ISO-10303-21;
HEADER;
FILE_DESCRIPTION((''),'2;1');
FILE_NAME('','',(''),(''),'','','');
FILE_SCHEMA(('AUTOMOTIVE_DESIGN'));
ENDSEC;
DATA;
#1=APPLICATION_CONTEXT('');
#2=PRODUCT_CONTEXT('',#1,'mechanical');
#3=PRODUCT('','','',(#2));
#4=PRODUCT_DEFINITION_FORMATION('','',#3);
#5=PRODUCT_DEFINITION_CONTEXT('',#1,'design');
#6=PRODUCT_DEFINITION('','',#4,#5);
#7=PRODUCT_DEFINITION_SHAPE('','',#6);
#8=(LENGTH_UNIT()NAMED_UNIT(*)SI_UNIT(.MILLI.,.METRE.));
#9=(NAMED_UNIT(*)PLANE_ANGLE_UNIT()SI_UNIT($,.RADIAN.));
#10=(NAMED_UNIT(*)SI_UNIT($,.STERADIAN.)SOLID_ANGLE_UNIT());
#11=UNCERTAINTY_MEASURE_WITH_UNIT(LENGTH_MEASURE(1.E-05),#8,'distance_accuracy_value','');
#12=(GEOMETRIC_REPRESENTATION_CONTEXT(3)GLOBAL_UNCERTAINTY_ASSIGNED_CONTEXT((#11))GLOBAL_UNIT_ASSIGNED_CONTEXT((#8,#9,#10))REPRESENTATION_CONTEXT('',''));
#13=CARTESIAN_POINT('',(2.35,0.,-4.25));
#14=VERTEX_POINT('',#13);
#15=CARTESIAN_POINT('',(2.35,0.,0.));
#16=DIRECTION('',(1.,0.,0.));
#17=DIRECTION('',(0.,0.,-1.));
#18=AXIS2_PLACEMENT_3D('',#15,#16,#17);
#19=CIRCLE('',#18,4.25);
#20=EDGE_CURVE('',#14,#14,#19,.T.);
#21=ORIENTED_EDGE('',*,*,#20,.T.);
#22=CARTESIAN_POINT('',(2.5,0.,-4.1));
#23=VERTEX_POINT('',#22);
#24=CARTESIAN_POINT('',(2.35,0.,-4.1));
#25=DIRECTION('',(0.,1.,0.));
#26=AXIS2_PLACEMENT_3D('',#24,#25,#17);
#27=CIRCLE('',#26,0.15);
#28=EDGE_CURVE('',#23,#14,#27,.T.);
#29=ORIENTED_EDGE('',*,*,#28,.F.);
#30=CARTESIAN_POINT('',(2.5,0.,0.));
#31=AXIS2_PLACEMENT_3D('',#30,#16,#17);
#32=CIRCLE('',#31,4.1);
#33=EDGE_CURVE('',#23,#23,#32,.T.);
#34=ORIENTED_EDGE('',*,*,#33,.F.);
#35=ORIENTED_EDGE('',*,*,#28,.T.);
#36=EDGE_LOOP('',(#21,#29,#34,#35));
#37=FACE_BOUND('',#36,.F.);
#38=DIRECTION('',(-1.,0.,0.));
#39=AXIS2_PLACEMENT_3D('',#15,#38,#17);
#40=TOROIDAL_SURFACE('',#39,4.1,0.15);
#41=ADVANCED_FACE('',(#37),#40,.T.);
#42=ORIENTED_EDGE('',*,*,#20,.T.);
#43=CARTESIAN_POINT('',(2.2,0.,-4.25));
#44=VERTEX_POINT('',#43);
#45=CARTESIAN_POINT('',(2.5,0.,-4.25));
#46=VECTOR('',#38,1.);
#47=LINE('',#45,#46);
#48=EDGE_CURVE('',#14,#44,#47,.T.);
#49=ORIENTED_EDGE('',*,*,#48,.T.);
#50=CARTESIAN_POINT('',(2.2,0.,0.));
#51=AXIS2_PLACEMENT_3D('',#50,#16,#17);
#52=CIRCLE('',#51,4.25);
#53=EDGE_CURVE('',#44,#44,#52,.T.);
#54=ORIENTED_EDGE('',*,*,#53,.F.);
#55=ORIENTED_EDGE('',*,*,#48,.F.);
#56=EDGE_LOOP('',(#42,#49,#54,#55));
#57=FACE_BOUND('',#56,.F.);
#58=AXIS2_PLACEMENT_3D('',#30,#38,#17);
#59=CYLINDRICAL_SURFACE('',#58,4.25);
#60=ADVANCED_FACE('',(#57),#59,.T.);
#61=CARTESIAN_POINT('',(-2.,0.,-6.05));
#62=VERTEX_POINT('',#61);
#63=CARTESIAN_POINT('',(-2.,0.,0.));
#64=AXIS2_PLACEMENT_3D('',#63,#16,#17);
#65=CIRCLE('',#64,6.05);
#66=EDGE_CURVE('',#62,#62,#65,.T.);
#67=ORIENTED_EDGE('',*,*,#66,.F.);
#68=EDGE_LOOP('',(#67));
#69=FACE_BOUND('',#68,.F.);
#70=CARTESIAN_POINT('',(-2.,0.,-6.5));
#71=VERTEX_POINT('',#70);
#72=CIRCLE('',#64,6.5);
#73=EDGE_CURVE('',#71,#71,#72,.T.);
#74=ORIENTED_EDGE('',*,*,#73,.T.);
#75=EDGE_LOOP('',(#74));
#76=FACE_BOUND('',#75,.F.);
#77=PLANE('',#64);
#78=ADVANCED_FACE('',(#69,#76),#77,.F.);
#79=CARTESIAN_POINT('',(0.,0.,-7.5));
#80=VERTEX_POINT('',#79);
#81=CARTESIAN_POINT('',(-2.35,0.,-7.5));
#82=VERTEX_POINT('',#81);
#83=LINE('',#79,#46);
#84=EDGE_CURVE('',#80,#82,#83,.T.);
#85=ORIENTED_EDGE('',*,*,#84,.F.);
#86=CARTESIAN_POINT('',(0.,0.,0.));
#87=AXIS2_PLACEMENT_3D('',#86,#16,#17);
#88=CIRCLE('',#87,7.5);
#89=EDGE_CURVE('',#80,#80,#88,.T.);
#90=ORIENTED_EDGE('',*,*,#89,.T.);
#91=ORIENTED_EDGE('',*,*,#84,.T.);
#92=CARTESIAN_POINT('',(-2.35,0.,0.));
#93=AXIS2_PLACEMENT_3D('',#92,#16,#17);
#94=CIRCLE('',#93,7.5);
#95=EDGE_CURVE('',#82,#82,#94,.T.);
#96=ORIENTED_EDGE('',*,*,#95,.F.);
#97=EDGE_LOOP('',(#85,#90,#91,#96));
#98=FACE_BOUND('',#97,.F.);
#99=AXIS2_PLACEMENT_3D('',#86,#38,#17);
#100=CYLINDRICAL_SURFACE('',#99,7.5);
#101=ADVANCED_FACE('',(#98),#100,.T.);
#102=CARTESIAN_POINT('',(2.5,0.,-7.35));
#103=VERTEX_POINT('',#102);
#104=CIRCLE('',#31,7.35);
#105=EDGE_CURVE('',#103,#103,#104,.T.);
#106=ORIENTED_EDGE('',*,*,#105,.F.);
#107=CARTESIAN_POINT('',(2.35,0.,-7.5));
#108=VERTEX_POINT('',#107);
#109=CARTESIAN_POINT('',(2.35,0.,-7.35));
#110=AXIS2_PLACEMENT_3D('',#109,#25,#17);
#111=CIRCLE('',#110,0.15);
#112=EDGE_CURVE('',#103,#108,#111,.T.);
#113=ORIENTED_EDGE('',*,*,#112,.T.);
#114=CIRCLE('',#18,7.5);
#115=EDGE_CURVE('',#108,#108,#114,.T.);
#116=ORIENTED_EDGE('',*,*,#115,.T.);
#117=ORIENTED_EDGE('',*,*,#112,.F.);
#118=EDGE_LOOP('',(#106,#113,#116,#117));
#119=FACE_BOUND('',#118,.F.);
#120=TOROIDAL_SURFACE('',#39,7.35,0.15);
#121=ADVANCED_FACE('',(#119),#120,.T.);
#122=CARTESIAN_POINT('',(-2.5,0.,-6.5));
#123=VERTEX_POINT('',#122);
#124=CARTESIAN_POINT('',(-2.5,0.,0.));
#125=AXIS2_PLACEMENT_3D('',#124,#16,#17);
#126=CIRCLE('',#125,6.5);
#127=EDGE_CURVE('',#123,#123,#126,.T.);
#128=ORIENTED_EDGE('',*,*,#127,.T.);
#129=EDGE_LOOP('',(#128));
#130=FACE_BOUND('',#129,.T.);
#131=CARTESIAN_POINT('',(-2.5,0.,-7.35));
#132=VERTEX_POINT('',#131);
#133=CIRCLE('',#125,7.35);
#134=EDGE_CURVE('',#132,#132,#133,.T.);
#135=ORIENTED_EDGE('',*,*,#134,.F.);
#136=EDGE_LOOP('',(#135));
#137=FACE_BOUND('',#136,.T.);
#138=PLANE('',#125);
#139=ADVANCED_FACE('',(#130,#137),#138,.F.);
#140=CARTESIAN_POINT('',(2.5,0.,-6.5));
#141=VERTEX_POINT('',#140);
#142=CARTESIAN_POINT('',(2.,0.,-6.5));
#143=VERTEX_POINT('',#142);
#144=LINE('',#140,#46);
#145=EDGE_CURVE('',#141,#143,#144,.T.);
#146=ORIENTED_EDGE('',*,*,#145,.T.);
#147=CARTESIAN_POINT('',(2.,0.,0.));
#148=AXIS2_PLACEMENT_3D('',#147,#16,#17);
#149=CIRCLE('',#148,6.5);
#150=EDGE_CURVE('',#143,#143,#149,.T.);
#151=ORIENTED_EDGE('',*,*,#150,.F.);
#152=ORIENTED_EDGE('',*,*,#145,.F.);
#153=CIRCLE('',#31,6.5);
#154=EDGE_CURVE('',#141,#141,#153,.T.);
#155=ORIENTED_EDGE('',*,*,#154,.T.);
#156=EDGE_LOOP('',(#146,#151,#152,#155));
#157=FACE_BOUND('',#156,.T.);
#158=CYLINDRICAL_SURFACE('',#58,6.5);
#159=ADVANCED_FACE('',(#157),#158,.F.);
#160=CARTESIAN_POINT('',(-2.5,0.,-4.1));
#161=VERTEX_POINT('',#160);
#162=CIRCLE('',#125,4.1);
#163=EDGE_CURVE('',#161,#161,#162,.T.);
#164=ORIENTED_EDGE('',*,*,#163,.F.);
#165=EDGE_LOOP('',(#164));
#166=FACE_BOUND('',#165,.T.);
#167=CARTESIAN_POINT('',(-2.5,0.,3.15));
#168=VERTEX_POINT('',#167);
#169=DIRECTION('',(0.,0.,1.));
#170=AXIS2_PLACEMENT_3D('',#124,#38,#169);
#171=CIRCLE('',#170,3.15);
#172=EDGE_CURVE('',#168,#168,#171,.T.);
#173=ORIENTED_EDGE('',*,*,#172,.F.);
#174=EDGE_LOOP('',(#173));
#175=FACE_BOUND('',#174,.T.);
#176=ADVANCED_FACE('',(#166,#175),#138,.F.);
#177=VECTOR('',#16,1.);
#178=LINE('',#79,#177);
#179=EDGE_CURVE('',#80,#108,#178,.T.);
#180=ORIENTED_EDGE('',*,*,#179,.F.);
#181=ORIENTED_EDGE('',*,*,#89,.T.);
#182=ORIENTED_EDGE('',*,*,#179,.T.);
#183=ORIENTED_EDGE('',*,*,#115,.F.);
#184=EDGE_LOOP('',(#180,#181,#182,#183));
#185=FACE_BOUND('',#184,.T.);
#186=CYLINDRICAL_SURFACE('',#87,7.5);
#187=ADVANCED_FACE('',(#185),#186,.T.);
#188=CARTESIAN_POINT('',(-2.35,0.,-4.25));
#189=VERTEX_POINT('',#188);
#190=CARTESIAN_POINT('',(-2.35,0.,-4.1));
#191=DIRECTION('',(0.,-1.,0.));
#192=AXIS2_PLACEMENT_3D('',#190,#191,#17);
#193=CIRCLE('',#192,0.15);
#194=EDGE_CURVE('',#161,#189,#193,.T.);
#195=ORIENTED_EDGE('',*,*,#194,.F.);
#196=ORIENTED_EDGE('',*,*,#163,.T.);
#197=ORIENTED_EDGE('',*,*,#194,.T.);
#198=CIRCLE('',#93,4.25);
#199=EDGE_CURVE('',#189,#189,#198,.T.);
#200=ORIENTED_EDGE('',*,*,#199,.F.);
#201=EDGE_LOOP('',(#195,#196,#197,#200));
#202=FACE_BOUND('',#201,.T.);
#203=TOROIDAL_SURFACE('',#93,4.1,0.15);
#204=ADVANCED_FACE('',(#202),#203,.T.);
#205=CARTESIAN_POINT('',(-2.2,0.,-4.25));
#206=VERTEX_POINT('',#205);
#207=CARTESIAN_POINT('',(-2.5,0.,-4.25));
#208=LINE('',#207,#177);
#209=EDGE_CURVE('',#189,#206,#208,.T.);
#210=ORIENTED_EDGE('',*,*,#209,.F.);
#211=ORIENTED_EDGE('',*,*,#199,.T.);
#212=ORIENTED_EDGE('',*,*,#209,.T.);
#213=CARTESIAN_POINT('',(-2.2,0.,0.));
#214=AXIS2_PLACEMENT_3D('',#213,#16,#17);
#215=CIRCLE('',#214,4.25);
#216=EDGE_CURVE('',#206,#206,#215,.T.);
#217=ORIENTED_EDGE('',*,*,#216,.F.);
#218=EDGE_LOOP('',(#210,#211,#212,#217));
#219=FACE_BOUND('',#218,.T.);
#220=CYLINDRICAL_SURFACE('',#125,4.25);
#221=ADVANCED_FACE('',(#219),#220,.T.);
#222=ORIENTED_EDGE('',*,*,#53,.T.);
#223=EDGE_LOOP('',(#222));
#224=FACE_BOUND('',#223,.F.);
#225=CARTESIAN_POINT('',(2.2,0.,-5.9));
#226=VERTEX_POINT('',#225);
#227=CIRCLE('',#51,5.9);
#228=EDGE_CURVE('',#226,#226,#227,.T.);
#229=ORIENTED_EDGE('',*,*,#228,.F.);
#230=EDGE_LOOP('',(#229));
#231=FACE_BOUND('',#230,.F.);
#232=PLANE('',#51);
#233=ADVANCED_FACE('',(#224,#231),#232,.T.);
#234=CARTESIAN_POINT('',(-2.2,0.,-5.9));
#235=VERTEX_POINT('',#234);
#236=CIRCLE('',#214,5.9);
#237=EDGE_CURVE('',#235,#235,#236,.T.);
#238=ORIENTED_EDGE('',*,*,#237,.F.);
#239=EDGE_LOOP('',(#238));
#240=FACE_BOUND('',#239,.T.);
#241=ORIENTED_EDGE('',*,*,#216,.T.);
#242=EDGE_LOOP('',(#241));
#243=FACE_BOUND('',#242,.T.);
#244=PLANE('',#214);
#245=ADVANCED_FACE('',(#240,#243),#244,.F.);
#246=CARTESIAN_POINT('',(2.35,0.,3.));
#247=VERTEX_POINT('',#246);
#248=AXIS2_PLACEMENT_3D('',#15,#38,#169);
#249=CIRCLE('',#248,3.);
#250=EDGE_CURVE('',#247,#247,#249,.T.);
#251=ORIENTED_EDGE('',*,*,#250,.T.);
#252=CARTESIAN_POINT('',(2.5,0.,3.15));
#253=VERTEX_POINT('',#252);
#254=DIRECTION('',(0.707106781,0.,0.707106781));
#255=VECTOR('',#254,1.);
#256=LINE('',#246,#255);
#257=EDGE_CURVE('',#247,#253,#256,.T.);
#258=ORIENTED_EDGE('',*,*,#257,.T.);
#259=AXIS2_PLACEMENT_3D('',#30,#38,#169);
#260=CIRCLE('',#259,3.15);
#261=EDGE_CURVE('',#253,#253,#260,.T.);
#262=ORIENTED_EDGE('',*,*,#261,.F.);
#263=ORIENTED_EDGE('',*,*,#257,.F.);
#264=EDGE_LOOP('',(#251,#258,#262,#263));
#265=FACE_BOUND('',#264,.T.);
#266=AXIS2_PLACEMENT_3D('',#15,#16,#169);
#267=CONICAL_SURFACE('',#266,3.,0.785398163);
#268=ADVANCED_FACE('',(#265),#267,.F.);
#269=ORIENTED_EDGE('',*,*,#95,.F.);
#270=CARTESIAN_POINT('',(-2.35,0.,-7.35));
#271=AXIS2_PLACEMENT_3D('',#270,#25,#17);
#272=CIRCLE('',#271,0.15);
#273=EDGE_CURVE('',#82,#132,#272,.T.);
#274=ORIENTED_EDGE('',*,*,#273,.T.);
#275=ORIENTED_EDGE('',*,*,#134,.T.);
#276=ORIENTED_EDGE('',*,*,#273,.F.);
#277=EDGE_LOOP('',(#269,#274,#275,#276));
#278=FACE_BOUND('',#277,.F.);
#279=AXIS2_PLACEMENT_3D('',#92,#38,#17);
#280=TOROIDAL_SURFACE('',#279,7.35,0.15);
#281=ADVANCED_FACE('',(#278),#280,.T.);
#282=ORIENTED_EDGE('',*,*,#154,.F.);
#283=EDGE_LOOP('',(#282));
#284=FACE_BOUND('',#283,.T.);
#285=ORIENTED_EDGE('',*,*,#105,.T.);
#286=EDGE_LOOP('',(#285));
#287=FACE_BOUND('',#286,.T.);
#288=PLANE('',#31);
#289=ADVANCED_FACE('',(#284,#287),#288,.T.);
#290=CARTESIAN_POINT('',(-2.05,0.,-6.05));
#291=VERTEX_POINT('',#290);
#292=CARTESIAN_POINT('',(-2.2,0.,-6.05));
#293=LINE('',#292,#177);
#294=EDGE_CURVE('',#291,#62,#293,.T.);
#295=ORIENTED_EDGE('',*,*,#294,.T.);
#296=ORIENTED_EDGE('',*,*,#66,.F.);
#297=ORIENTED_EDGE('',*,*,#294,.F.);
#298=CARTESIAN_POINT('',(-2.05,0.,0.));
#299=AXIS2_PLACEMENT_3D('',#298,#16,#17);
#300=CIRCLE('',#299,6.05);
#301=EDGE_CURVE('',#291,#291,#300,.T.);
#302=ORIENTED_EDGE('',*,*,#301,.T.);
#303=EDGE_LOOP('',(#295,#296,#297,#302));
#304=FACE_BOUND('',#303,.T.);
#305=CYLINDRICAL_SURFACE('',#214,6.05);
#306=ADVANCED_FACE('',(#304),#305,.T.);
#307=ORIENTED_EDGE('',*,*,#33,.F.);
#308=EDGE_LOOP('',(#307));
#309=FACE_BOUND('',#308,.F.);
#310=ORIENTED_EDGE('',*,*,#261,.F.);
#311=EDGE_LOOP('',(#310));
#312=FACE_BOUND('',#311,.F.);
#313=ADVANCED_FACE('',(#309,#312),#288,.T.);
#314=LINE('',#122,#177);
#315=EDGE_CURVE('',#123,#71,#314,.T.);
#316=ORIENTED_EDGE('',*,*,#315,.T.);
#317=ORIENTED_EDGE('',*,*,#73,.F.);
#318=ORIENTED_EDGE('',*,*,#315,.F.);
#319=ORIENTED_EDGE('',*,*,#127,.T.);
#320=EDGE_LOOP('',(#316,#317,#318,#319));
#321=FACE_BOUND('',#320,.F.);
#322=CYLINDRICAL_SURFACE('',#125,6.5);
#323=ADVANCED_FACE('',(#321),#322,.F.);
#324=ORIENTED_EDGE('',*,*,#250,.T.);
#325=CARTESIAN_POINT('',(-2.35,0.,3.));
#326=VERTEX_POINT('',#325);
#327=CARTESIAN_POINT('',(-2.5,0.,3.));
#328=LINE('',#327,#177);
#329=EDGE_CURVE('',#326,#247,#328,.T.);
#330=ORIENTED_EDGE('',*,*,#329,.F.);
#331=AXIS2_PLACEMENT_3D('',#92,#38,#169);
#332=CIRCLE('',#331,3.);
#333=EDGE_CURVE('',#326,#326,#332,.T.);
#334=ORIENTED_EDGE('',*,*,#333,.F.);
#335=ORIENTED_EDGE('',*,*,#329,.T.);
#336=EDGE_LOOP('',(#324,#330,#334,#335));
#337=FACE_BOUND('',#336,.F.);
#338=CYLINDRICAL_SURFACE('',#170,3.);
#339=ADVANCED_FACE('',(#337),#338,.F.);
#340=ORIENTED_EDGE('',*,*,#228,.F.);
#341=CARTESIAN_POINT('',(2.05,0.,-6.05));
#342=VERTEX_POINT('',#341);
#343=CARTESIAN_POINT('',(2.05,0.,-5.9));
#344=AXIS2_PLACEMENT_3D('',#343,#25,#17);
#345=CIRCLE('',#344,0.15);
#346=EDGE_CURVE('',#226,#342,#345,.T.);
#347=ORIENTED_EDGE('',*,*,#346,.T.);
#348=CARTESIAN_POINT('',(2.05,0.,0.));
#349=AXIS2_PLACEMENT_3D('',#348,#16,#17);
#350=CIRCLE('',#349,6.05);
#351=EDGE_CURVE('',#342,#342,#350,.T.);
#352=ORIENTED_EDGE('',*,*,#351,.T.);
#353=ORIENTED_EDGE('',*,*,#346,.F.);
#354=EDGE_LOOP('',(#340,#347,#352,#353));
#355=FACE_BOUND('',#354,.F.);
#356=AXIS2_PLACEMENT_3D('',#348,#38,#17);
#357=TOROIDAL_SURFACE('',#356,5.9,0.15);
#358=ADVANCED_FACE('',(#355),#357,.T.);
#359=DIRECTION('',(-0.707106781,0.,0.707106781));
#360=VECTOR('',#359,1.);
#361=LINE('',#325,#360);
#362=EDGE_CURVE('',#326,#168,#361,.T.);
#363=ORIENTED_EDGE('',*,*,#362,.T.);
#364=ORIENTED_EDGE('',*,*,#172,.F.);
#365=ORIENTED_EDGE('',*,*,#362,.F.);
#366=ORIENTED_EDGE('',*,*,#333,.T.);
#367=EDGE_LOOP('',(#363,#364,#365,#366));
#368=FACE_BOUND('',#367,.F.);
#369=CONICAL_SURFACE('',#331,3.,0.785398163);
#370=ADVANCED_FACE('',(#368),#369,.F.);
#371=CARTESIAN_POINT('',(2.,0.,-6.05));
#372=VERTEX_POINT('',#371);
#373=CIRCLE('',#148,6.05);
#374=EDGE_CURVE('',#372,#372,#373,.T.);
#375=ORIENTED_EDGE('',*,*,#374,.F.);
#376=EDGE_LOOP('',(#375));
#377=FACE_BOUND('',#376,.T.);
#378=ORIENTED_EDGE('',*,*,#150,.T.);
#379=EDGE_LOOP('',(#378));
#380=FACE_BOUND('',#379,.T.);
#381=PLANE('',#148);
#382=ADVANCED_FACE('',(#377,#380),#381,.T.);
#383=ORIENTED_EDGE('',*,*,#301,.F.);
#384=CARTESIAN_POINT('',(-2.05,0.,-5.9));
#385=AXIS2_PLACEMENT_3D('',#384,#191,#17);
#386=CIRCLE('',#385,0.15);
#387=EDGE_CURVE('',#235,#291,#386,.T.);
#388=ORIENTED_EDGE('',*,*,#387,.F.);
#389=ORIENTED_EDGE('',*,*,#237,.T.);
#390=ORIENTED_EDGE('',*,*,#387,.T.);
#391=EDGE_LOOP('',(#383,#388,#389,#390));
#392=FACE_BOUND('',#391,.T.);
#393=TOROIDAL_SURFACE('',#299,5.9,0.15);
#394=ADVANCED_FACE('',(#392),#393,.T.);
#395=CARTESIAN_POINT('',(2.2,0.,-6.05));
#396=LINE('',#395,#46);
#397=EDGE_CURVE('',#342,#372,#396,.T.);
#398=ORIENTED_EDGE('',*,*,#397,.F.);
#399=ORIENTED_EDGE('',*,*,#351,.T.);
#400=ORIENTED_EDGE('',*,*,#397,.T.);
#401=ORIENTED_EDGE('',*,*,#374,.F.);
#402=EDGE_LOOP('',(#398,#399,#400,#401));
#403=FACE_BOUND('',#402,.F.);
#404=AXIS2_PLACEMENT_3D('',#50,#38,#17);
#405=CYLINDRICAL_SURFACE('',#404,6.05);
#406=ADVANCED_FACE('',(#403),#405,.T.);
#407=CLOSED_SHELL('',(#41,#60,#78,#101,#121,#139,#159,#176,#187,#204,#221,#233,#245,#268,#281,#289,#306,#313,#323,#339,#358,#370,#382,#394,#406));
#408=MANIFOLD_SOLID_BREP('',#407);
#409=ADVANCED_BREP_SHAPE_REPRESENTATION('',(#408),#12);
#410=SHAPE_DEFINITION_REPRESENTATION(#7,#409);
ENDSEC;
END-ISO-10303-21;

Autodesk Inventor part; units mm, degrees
ref_plane "YZ Plane" through (0, 0, 0) normal (1, 0, 0) x (0, 1, 0)
ref_plane "XZ Plane" through (0, 0, 0) normal (0, 1, 0) x (-1, 0, 0)
ref_plane "XY Plane" through (0, 0, 0) normal (0, 0, 1) x (1, 0, 0)
sketch "Sketch1" plane through (0, 0, 0) normal (0, 1, 0) x (-1, 0, 0)
  line L0 (-2.5, -4.25) -> (-2.2, -4.25)
  line L1 (-2.2, -4.25) -> (-2.2, -6.05)
  line L2 (-2.2, -6.05) -> (-2, -6.05)
  line L3 (-2.5, -7.5) -> (-2.5, -6.5)
  line L4 (-2.5, -6.5) -> (-2, -6.5)
  line L5 (-2, -6.5) -> (-2, -6.05)
  line L6 (-2.5, 0) -> (0, 0)
  line L7 (0, -7.5) -> (-2.5, -7.5)
  line L8 (2.5, -4.25) -> (2.2, -4.25)
  line L9 (2.2, -4.25) -> (2.2, -6.05)
  line L10 (2.2, -6.05) -> (2, -6.05)
  line L11 (2.5, -6.5) -> (2, -6.5)
  line L12 (2, -6.5) -> (2, -6.05)
  line L13 (2.5, 0) -> (0, 0)
  line L14 (0, -7.5) -> (2.5, -7.5)
  line L15 (2.5, 0) -> (2.5, -4.25)
  line L16 (2.5, -6.5) -> (2.5, -7.5)
  line L17 (-2.5, 0) -> (-2.5, -4.25)
  line L18 (2.5, 0) -> (-2.5, 0)
  line L19 (-2.5, 0) -> (-2.5, -4.25)
  line L20 (-2.5, -4.25) -> (-2.2, -4.25)
  line L21 (-2.2, -6.05) -> (-2, -6.05)
  line L22 (-2, -6.5) -> (-2, -6.05)
  line L23 (-2, -6.5) -> (-2.5, -6.5)
  line L24 (-2.5, -6.5) -> (-2.5, -7.5)
  line L25 (-2.5, -7.5) -> (2.5, -7.5)
  dimension "d2" = 4.25
  dimension "d3" = 0.3
  dimension "d4" = 1.8
  dimension "d5" = 0.2
  dimension "d6" = 1
  dimension "d8" = 2.5
  dimension "d9" = 7.5
revolve "Revolution1" add sketch "Sketch1" angle 360 about axis through (-2.5, 0, 0) along (1, 0, 0)
sketch "Sketch2" plane through (-2.5, 0, 0) normal (-1, 0, 0) x (0, 0, 1)
  circle A0 centre (0, 0) radius 3
  dimension "d11" = 6
extrude "Extrusion1" cut sketch "Sketch2" against normal blind 5
chamfer "Chamfer1" distance 0.15 angle 45 1 edges at (-2.5, 0, -3)
chamfer "Chamfer2" distance 0.15 angle 45 1 edges at (2.5, 0, -3)
fillet "Fillet1" radius 0.15 1 edges at (2.5, 0, 4.25)
fillet "Fillet2" radius 0.15 1 edges at (2.2, 0, 6.05)
fillet "Fillet3" radius 0.15 4 edges at (2.5, 0, 7.5) (-2.5, 0, 7.5) (-2.5, 0, 4.25) (-2.2, 0, 6.05)
properties part number "Lozisko_15mm"
